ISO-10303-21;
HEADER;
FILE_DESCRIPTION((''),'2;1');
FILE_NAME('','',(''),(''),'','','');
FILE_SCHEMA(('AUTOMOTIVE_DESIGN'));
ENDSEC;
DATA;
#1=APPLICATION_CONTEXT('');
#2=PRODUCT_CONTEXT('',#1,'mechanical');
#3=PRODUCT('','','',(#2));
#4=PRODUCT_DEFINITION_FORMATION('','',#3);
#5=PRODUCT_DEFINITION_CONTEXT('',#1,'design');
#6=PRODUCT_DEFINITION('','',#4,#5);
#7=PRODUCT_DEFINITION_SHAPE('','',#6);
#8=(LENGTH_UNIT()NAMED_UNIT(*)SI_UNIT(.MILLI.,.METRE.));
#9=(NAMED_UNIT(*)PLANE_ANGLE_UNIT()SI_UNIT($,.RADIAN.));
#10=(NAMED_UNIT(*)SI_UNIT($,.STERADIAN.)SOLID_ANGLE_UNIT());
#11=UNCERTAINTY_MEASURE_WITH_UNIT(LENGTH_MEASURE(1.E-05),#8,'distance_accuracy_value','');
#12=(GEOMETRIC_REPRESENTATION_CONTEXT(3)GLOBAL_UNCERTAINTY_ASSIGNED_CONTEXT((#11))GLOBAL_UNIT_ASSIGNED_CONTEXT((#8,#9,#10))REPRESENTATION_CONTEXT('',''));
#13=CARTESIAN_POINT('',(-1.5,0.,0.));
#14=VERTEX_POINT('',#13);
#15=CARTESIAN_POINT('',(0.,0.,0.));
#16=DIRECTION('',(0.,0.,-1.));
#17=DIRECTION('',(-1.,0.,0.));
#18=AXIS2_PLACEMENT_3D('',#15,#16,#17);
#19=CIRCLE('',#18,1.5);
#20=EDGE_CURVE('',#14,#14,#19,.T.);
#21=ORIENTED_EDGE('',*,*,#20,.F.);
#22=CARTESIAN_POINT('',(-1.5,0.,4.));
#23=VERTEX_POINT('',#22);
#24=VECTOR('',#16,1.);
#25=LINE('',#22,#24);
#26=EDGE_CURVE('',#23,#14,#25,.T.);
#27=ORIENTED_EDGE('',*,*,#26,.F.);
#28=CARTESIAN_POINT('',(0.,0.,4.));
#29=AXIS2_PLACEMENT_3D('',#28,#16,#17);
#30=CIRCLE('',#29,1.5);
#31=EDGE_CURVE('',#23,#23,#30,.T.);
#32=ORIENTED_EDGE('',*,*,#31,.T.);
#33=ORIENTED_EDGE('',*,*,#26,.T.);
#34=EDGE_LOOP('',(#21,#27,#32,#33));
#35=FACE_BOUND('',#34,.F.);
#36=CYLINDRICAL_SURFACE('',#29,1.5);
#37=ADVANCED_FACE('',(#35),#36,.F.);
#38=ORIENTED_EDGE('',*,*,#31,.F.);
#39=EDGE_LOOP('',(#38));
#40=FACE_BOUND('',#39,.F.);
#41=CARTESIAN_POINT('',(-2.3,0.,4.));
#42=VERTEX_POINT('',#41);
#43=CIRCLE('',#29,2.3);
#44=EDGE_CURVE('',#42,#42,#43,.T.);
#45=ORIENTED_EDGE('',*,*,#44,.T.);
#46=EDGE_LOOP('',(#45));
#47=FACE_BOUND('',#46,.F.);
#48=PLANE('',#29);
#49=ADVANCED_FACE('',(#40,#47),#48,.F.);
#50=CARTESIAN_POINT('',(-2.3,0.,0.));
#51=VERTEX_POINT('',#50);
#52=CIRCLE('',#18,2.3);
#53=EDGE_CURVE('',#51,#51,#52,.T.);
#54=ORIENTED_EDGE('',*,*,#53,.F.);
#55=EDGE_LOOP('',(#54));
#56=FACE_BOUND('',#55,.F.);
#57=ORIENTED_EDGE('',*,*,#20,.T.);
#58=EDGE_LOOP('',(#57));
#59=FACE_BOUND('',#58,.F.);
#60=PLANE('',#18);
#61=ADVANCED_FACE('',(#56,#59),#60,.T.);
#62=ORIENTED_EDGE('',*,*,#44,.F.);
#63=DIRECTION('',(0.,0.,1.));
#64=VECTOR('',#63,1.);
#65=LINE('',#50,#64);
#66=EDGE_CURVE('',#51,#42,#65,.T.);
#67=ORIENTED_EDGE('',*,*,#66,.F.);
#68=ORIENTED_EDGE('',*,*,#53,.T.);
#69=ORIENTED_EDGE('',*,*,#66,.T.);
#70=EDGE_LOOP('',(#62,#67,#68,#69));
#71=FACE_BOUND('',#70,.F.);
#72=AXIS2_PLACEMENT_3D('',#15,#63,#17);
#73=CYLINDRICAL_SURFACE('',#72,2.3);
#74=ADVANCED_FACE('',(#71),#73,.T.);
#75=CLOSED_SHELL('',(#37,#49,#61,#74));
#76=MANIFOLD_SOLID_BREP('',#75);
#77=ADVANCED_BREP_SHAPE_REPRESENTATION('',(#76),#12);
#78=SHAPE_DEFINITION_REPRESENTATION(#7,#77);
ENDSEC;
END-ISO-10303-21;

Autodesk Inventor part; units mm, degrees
ref_plane "YZ Plane" through (0, 0, 0) normal (1, 0, 0) x (0, 1, 0)
ref_plane "XZ Plane" through (0, 0, 0) normal (0, 1, 0) x (-1, 0, 0)
ref_plane "XY Plane" through (0, 0, 0) normal (0, 0, 1) x (1, 0, 0)
sketch "スケッチ1" plane through (0, 0, 0) normal (0, 1, 0) x (-1, 0, 0)
  line L0 (0, 4) -> (0, 0)
  line L1 (1.5, 4) -> (1.5, 0)
  line L2 (1.5, 0) -> (2.3, 0)
  line L3 (2.3, 0) -> (2.3, 4)
  line L4 (2.3, 4) -> (1.5, 4)
  dimension "d0" = 1.5
  dimension "d1" = 4
  dimension "d2" = 2.3
revolve "回転1" add sketch "スケッチ1" angle 360 about axis through (0, 0, 4) along (0, 0, -1)
thread "ねじ1" size "M3x0.5" class "6H" standard "ANSI Metric M Profile" full length
properties part number "UD-43040" material "真鍮"
